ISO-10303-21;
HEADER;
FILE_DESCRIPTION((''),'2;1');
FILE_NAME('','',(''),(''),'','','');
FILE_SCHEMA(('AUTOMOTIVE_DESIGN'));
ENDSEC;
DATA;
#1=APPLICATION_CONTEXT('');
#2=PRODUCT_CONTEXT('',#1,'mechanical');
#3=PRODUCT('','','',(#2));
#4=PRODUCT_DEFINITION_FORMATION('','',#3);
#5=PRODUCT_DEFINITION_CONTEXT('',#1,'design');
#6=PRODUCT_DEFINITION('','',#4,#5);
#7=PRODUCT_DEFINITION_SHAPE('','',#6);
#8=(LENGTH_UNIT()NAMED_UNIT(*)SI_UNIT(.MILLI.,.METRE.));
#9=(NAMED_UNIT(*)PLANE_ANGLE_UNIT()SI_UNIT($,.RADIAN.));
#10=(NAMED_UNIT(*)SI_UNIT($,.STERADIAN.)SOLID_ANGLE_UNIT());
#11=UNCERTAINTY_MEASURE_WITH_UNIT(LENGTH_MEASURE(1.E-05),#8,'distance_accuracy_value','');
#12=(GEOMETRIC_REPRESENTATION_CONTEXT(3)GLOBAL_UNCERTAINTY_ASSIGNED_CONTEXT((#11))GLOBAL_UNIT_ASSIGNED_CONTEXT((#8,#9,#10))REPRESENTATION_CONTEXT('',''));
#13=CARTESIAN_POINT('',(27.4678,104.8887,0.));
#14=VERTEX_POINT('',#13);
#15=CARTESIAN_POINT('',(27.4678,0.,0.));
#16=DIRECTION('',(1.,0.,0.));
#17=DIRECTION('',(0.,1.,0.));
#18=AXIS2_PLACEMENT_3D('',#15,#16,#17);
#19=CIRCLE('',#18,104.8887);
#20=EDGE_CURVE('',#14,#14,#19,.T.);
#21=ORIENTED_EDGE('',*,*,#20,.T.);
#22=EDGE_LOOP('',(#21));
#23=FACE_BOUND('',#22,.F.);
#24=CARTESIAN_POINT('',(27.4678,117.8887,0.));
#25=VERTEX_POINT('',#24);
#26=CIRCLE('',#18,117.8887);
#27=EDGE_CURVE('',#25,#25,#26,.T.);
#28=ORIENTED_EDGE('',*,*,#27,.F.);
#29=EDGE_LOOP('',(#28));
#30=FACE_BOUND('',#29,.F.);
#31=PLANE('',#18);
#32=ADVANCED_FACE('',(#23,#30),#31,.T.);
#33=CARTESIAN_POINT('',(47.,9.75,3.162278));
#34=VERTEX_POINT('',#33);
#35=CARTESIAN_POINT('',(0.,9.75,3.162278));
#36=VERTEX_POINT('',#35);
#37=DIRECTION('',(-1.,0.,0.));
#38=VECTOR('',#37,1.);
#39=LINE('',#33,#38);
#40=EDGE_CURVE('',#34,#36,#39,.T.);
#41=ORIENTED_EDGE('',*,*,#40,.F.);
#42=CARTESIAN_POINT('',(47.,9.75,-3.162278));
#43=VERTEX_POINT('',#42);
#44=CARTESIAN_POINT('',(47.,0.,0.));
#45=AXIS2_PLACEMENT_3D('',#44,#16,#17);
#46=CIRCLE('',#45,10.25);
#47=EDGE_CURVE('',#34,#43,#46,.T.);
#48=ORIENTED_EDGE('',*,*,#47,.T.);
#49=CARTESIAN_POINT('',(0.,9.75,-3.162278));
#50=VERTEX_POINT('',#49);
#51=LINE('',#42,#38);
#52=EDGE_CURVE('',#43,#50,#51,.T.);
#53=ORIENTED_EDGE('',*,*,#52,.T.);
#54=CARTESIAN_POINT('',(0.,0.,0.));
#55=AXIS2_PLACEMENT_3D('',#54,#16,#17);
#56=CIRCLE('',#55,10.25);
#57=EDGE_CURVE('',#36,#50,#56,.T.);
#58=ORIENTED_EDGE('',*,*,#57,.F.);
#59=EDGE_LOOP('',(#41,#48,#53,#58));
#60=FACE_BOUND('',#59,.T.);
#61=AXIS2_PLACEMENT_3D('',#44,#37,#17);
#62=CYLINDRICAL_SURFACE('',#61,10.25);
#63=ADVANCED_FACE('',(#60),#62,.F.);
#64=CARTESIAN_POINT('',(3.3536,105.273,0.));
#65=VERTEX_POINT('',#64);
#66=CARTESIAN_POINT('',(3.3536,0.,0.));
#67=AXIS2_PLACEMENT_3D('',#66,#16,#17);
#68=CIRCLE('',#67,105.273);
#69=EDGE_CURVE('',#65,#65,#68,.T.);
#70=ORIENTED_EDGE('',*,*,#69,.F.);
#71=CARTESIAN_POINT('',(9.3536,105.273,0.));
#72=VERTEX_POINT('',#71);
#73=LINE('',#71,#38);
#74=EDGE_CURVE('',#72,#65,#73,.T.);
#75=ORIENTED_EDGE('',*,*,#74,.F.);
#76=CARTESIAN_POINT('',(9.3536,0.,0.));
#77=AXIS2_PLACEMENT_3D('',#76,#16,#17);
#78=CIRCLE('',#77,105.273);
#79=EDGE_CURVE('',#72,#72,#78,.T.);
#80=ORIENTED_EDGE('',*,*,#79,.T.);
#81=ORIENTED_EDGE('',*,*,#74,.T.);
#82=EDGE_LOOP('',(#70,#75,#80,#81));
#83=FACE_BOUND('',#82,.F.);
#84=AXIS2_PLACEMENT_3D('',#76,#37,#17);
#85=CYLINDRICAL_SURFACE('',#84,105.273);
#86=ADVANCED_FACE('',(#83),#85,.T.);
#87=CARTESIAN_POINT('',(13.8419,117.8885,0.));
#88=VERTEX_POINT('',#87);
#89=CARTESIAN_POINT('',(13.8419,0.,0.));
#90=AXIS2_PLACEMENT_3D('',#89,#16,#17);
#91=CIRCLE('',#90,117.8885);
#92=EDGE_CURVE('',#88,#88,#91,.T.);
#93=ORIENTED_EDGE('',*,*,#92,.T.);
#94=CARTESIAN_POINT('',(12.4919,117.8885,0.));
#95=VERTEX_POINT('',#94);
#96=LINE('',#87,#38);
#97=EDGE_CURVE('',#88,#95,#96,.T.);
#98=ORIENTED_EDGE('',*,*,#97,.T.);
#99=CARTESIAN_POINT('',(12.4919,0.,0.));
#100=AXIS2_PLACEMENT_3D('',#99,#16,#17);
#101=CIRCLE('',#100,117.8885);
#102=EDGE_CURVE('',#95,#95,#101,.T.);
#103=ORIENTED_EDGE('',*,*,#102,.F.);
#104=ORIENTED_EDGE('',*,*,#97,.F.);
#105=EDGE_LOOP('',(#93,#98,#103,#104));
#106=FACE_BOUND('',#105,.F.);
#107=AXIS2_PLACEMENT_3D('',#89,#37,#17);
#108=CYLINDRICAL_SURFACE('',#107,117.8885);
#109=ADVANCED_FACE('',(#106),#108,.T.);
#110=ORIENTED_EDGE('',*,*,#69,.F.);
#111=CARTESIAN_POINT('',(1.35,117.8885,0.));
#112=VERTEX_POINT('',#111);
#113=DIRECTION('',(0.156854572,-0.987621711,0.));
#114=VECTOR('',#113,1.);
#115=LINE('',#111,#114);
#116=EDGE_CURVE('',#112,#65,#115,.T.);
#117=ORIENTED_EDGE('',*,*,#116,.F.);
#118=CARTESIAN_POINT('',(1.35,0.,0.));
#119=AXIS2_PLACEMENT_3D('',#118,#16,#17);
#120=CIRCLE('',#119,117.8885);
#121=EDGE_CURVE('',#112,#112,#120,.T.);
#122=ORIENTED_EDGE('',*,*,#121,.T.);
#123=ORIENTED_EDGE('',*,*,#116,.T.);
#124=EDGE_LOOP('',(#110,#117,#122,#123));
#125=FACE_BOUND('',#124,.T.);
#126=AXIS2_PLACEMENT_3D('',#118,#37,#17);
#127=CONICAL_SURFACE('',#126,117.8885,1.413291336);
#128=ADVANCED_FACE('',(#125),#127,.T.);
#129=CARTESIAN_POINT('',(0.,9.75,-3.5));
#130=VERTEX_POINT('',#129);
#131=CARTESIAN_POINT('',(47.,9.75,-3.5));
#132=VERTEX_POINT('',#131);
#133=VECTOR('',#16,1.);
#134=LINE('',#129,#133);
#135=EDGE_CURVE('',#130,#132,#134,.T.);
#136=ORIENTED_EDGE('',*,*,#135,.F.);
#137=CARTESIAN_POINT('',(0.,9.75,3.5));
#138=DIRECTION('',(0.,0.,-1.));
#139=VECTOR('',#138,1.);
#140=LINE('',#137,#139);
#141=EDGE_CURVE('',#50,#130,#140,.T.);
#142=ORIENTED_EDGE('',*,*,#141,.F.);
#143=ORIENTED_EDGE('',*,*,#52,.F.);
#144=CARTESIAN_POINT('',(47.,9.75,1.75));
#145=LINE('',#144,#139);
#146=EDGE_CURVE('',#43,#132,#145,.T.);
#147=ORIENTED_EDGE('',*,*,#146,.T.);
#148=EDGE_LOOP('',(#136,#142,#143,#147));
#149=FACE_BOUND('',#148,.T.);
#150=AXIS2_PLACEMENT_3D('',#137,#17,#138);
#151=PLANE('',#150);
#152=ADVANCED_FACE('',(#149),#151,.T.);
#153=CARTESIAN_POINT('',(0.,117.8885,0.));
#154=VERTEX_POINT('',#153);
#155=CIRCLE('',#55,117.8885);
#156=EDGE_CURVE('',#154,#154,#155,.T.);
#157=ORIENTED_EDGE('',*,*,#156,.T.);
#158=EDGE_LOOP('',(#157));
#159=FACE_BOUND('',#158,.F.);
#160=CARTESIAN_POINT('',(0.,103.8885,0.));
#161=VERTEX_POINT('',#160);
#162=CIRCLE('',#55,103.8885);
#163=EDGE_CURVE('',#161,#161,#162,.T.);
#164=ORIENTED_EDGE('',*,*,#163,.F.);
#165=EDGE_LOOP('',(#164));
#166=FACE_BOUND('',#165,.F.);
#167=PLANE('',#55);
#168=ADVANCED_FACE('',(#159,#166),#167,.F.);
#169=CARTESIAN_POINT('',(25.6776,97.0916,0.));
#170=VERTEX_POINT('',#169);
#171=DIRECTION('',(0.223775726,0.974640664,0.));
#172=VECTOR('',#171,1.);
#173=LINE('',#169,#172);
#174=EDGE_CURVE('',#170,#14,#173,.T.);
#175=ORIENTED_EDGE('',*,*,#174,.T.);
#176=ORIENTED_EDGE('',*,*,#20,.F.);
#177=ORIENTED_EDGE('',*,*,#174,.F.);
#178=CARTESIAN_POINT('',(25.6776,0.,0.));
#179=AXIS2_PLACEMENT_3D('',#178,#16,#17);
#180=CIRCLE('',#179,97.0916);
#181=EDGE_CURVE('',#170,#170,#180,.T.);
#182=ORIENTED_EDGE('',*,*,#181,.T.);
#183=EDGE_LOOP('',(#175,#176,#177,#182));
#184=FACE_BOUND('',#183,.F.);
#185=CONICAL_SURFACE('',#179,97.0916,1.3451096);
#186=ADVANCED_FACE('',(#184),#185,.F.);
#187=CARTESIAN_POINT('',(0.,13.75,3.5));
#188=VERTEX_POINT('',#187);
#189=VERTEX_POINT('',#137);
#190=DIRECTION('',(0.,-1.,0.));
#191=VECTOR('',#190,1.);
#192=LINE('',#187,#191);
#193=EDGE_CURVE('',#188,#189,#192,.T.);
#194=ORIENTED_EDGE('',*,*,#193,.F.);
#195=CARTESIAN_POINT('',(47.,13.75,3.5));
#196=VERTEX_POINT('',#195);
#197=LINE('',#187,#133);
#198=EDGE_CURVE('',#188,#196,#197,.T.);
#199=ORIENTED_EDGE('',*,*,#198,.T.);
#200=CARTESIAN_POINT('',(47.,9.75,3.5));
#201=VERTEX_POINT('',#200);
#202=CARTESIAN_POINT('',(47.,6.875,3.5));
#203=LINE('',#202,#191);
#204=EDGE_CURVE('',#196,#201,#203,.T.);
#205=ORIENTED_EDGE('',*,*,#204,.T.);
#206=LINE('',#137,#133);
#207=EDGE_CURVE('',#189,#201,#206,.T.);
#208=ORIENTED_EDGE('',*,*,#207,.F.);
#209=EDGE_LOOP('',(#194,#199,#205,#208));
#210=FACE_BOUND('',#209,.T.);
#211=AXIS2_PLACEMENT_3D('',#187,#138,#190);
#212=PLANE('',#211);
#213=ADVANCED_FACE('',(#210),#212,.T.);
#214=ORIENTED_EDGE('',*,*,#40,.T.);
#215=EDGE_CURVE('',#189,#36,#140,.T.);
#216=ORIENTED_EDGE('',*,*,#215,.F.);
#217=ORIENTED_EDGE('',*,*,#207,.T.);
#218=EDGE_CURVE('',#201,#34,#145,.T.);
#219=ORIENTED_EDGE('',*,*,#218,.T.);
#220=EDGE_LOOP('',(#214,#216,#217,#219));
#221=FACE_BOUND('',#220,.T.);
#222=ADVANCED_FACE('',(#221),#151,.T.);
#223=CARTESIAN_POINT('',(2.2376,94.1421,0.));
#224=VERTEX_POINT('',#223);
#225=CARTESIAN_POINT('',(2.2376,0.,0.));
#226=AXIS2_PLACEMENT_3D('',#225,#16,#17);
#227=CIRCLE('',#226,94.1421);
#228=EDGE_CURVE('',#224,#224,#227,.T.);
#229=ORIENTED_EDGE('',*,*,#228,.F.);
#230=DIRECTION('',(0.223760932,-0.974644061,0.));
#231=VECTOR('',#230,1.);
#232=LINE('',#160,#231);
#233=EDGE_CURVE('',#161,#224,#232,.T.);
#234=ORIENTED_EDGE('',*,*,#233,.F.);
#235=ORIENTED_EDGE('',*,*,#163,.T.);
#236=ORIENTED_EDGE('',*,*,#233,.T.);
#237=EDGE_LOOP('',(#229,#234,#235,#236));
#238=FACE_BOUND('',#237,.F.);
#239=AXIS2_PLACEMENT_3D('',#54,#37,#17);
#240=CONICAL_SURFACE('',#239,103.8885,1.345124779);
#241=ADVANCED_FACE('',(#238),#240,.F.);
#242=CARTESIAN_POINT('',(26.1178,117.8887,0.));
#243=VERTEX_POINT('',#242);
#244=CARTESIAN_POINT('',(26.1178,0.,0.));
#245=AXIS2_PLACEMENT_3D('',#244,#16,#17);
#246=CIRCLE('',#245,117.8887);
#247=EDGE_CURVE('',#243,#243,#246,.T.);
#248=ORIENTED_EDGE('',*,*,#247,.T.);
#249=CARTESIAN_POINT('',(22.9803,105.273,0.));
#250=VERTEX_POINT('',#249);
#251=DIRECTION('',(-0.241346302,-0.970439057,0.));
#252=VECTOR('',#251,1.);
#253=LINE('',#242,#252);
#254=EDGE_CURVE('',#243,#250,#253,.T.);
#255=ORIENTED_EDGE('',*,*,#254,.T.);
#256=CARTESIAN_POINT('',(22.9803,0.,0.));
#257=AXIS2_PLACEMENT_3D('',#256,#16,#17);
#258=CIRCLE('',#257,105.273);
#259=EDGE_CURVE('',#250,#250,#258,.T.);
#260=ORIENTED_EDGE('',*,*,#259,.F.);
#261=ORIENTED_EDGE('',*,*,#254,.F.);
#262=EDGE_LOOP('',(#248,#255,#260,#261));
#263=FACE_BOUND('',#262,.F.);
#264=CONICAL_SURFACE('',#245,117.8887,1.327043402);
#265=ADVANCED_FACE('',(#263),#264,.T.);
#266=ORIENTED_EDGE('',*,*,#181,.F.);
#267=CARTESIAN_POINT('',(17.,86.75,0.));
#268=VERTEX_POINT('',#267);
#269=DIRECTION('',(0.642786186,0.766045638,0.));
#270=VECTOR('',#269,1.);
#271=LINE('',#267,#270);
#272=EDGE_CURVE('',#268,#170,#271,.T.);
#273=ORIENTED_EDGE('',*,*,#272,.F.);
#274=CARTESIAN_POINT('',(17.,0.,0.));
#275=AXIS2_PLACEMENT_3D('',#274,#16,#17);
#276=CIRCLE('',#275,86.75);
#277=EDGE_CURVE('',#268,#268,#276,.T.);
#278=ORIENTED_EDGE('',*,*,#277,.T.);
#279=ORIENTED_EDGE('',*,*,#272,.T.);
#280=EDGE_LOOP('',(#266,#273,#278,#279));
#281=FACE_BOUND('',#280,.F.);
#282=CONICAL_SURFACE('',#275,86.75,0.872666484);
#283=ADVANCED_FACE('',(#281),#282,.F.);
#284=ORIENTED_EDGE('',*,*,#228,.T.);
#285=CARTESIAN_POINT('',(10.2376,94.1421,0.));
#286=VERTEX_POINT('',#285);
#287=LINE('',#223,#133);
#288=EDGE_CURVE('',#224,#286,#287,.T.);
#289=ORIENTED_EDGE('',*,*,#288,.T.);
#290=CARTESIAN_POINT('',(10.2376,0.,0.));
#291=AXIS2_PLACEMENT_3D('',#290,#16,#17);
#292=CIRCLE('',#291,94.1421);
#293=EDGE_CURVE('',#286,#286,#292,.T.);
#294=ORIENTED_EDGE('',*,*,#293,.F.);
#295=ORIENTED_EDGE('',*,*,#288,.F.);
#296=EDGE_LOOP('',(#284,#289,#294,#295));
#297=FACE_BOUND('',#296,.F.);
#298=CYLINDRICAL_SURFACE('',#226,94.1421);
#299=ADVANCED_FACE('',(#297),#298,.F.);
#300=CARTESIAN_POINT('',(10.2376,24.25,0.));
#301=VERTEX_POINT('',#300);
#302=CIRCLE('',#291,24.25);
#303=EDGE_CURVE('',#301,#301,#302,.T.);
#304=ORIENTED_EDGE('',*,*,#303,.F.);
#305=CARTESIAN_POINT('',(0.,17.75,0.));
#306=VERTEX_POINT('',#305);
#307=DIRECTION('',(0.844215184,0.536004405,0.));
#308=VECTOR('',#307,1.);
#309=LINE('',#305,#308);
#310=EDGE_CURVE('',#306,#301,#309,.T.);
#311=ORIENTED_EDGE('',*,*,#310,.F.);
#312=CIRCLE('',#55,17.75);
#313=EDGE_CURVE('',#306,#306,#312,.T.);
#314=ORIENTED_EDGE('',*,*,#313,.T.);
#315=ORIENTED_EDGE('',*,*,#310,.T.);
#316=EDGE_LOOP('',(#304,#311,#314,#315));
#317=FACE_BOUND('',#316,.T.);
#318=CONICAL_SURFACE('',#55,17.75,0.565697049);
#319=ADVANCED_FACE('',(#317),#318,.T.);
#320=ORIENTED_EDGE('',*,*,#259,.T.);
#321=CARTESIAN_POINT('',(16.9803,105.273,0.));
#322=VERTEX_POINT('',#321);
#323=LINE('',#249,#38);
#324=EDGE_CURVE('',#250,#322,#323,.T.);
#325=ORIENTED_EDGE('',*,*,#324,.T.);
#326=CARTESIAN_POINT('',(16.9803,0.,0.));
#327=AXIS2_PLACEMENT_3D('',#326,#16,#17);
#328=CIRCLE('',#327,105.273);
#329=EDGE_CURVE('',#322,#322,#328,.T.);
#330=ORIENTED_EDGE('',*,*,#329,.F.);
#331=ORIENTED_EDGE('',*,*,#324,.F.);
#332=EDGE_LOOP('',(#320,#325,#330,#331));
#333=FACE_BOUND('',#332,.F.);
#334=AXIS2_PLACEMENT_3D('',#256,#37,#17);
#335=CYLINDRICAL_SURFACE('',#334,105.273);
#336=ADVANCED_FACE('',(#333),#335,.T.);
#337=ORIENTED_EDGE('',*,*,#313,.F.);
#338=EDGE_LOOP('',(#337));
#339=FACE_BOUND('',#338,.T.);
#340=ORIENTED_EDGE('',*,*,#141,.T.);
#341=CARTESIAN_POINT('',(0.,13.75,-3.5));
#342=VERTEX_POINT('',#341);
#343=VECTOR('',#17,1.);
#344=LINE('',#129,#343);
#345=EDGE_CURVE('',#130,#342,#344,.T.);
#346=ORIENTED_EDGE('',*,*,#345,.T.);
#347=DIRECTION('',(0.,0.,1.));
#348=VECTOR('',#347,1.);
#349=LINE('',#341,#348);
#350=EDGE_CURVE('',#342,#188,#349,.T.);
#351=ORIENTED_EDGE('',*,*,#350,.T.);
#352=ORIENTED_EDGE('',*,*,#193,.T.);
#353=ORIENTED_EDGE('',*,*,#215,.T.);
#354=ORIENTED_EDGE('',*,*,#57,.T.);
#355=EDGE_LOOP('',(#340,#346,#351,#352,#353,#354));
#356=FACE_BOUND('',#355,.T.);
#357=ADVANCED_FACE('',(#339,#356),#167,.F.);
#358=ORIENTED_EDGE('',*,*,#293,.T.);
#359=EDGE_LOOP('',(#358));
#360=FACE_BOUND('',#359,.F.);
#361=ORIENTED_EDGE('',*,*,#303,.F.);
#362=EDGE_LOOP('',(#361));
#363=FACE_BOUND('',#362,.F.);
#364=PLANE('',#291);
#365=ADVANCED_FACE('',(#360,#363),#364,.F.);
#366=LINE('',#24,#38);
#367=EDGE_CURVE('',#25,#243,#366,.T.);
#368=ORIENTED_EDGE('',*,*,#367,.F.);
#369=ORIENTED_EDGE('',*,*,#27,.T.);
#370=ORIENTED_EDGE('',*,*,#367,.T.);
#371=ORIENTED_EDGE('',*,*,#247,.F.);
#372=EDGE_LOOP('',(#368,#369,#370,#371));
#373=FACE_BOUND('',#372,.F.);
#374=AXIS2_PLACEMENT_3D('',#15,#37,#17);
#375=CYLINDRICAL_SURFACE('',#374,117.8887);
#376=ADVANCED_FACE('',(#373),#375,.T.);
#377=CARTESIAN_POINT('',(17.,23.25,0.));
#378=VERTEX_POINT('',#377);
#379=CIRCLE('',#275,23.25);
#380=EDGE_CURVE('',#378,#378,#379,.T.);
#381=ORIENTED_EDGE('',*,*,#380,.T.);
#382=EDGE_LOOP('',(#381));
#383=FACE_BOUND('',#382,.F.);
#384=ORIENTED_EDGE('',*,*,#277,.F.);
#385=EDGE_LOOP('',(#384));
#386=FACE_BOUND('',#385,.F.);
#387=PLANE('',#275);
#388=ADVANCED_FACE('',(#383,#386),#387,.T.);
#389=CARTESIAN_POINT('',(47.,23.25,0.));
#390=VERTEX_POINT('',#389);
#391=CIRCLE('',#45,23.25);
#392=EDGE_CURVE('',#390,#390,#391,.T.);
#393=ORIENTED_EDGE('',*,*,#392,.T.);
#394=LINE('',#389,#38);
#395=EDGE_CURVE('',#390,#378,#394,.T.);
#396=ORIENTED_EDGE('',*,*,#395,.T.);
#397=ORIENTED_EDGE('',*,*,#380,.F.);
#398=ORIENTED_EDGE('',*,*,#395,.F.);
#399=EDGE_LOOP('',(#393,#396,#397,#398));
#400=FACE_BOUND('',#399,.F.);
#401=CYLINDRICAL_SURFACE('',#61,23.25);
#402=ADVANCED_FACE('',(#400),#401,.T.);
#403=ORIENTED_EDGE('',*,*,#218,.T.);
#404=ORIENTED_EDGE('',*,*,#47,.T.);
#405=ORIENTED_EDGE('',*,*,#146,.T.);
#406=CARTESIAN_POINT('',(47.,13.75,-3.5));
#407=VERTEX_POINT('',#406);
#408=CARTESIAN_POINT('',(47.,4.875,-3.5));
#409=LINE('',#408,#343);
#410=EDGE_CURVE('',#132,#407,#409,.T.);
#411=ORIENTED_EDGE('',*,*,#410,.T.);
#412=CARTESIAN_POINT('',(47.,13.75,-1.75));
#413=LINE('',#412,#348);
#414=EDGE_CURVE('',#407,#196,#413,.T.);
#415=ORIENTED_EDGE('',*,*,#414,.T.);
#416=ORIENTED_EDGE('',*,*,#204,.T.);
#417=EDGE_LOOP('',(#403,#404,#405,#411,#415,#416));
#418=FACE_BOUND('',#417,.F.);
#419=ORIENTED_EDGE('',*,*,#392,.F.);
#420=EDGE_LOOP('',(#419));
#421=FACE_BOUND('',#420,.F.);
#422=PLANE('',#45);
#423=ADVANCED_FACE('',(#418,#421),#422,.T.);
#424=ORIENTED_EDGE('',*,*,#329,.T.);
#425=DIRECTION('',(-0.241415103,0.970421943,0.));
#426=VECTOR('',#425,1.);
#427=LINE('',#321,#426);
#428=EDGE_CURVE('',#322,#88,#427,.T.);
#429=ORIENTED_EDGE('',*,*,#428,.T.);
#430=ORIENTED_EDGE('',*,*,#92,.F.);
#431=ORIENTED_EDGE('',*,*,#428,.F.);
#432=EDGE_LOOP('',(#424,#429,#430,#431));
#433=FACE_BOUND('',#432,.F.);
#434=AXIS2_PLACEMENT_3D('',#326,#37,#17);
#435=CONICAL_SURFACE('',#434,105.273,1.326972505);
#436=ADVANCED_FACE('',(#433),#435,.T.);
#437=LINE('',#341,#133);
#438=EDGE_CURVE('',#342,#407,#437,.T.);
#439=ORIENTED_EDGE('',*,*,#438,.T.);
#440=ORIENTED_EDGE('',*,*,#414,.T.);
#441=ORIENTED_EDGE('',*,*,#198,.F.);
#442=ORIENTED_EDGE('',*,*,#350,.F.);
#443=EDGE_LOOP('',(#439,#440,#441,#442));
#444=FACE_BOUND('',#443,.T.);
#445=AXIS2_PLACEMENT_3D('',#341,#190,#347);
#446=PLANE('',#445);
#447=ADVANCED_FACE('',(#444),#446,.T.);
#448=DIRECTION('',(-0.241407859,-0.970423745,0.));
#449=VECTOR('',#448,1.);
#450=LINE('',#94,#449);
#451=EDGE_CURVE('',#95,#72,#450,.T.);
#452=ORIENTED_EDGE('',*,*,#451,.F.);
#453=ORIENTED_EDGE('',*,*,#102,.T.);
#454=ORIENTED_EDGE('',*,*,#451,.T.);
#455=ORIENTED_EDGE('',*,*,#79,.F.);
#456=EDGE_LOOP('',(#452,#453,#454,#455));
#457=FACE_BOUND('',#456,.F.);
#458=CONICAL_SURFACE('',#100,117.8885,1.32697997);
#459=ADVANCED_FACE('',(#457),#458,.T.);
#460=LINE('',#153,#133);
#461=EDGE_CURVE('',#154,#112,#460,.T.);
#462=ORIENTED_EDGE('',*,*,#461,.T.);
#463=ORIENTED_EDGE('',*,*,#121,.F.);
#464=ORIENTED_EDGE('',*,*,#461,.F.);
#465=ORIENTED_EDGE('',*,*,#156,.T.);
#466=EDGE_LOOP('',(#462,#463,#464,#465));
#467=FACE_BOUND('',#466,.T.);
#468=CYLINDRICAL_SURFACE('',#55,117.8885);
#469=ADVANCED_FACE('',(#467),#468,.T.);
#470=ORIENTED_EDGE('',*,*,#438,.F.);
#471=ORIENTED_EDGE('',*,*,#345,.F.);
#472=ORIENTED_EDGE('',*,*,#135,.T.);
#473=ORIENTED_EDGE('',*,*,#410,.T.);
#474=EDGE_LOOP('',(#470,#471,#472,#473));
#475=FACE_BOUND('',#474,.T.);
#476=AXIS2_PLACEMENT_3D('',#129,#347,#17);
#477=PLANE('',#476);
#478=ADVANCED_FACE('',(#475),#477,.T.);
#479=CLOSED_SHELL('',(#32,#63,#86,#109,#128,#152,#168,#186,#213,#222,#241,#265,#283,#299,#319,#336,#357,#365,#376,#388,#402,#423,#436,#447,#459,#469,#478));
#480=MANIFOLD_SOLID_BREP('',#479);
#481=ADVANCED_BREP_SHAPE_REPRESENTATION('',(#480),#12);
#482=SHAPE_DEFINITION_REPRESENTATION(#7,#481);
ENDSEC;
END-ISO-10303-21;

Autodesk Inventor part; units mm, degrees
ref_plane "YZ Plane" through (0, 0, 0) normal (1, 0, 0) x (0, 1, 0)
ref_plane "XZ Plane" through (0, 0, 0) normal (0, 1, 0) x (-1, 0, 0)
ref_plane "XY Plane" through (0, 0, 0) normal (0, 0, 1) x (1, 0, 0)
sketch "Sketch1" plane through (0, 0, 0) normal (0, 0, 1) x (1, 0, 0)
  line L0 (0, 0) -> (47, 0)
  line L1 (47, 10.25) -> (0, 10.25)
  line L2 (0, 10.25) -> (0, 17.75)
  line L3 (47, 10.25) -> (47, 23.25)
  line L4 (47, 23.25) -> (17, 23.25)
  line L5 (17, 23.25) -> (17, 86.75)
  line L6 (17, 86.75) -> (25.6776, 97.0916)
  line L7 (25.6776, 97.0916) -> (27.4678, 104.8887)
  line L8 (27.4678, 104.8887) -> (27.4678, 117.8887)
  line L9 (27.4678, 117.8887) -> (26.1178, 117.8887)
  line L10 (26.1178, 117.8887) -> (22.9803, 105.273)
  line L11 (22.9803, 105.273) -> (16.9803, 105.273)
  line L12 (16.9803, 105.273) -> (13.8419, 117.8885)
  line L13 (13.8419, 117.8885) -> (12.4919, 117.8885)
  line L14 (12.4919, 117.8885) -> (9.3536, 105.273)
  line L15 (9.3536, 105.273) -> (3.3536, 105.273)
  line L16 (0, 117.8885) -> (1.35, 117.8885)
  line L17 (1.35, 117.8885) -> (3.3536, 105.273)
  line L18 (0, 117.8885) -> (0, 103.8885)
  line L19 (0, 103.8885) -> (2.2376, 94.1421)
  line L20 (2.2376, 94.1421) -> (10.2376, 94.1421)
  line L21 (0, 17.75) -> (10.2376, 24.25)
  line L22 (10.2376, 94.1421) -> (10.2376, 24.25)
  dimension "d0" = 47
  dimension "d1" = 10.25
  dimension "d3" = 7.5
  dimension "d4" = 13
  dimension "d27" = 30
  dimension "d28" = 63.5
  dimension "d34" = 13.5
  dimension "d35" = 140
  dimension "d36" = 8
  dimension "d37" = 13
  dimension "d38" = 1.35
  dimension "d39" = 13
  dimension "d40" = 4.4875
  dimension "d41" = 6
  dimension "d42" = 13
  dimension "d43" = 103.97
  dimension "d44" = 1.35
  dimension "d47" = 13
  dimension "d48" = 6
  dimension "d49" = 103.97
  dimension "d51" = 1.35
  dimension "d52" = 14
  dimension "d53" = 10
  dimension "d54" = 167.07
  dimension "d55" = 8
revolve "Revolution1" add sketch "Sketch1" angle 360 about axis through (0, 0, 0) along (1, 0, 0)
sketch "Sketch2" plane through (0, 0, 0) normal (-1, 0, 0) x (0, 0, 1)
  circle A0 centre (0, 0) radius 17.75 projected
  line L0 (-3.5, 13.75) -> (3.5, 13.75)
  line L1 (3.5, 13.75) -> (3.5, 9.75)
  line L2 (3.5, 9.75) -> (-3.5, 9.75)
  line L3 (-3.5, 9.75) -> (-3.5, 13.75)
  dimension "d61" = 7
  dimension "d62" = 4
extrude "Extrusion1" cut sketch "Sketch2" against normal blind 50 contours L0 L1 L2 L3
properties part number "polia final"
